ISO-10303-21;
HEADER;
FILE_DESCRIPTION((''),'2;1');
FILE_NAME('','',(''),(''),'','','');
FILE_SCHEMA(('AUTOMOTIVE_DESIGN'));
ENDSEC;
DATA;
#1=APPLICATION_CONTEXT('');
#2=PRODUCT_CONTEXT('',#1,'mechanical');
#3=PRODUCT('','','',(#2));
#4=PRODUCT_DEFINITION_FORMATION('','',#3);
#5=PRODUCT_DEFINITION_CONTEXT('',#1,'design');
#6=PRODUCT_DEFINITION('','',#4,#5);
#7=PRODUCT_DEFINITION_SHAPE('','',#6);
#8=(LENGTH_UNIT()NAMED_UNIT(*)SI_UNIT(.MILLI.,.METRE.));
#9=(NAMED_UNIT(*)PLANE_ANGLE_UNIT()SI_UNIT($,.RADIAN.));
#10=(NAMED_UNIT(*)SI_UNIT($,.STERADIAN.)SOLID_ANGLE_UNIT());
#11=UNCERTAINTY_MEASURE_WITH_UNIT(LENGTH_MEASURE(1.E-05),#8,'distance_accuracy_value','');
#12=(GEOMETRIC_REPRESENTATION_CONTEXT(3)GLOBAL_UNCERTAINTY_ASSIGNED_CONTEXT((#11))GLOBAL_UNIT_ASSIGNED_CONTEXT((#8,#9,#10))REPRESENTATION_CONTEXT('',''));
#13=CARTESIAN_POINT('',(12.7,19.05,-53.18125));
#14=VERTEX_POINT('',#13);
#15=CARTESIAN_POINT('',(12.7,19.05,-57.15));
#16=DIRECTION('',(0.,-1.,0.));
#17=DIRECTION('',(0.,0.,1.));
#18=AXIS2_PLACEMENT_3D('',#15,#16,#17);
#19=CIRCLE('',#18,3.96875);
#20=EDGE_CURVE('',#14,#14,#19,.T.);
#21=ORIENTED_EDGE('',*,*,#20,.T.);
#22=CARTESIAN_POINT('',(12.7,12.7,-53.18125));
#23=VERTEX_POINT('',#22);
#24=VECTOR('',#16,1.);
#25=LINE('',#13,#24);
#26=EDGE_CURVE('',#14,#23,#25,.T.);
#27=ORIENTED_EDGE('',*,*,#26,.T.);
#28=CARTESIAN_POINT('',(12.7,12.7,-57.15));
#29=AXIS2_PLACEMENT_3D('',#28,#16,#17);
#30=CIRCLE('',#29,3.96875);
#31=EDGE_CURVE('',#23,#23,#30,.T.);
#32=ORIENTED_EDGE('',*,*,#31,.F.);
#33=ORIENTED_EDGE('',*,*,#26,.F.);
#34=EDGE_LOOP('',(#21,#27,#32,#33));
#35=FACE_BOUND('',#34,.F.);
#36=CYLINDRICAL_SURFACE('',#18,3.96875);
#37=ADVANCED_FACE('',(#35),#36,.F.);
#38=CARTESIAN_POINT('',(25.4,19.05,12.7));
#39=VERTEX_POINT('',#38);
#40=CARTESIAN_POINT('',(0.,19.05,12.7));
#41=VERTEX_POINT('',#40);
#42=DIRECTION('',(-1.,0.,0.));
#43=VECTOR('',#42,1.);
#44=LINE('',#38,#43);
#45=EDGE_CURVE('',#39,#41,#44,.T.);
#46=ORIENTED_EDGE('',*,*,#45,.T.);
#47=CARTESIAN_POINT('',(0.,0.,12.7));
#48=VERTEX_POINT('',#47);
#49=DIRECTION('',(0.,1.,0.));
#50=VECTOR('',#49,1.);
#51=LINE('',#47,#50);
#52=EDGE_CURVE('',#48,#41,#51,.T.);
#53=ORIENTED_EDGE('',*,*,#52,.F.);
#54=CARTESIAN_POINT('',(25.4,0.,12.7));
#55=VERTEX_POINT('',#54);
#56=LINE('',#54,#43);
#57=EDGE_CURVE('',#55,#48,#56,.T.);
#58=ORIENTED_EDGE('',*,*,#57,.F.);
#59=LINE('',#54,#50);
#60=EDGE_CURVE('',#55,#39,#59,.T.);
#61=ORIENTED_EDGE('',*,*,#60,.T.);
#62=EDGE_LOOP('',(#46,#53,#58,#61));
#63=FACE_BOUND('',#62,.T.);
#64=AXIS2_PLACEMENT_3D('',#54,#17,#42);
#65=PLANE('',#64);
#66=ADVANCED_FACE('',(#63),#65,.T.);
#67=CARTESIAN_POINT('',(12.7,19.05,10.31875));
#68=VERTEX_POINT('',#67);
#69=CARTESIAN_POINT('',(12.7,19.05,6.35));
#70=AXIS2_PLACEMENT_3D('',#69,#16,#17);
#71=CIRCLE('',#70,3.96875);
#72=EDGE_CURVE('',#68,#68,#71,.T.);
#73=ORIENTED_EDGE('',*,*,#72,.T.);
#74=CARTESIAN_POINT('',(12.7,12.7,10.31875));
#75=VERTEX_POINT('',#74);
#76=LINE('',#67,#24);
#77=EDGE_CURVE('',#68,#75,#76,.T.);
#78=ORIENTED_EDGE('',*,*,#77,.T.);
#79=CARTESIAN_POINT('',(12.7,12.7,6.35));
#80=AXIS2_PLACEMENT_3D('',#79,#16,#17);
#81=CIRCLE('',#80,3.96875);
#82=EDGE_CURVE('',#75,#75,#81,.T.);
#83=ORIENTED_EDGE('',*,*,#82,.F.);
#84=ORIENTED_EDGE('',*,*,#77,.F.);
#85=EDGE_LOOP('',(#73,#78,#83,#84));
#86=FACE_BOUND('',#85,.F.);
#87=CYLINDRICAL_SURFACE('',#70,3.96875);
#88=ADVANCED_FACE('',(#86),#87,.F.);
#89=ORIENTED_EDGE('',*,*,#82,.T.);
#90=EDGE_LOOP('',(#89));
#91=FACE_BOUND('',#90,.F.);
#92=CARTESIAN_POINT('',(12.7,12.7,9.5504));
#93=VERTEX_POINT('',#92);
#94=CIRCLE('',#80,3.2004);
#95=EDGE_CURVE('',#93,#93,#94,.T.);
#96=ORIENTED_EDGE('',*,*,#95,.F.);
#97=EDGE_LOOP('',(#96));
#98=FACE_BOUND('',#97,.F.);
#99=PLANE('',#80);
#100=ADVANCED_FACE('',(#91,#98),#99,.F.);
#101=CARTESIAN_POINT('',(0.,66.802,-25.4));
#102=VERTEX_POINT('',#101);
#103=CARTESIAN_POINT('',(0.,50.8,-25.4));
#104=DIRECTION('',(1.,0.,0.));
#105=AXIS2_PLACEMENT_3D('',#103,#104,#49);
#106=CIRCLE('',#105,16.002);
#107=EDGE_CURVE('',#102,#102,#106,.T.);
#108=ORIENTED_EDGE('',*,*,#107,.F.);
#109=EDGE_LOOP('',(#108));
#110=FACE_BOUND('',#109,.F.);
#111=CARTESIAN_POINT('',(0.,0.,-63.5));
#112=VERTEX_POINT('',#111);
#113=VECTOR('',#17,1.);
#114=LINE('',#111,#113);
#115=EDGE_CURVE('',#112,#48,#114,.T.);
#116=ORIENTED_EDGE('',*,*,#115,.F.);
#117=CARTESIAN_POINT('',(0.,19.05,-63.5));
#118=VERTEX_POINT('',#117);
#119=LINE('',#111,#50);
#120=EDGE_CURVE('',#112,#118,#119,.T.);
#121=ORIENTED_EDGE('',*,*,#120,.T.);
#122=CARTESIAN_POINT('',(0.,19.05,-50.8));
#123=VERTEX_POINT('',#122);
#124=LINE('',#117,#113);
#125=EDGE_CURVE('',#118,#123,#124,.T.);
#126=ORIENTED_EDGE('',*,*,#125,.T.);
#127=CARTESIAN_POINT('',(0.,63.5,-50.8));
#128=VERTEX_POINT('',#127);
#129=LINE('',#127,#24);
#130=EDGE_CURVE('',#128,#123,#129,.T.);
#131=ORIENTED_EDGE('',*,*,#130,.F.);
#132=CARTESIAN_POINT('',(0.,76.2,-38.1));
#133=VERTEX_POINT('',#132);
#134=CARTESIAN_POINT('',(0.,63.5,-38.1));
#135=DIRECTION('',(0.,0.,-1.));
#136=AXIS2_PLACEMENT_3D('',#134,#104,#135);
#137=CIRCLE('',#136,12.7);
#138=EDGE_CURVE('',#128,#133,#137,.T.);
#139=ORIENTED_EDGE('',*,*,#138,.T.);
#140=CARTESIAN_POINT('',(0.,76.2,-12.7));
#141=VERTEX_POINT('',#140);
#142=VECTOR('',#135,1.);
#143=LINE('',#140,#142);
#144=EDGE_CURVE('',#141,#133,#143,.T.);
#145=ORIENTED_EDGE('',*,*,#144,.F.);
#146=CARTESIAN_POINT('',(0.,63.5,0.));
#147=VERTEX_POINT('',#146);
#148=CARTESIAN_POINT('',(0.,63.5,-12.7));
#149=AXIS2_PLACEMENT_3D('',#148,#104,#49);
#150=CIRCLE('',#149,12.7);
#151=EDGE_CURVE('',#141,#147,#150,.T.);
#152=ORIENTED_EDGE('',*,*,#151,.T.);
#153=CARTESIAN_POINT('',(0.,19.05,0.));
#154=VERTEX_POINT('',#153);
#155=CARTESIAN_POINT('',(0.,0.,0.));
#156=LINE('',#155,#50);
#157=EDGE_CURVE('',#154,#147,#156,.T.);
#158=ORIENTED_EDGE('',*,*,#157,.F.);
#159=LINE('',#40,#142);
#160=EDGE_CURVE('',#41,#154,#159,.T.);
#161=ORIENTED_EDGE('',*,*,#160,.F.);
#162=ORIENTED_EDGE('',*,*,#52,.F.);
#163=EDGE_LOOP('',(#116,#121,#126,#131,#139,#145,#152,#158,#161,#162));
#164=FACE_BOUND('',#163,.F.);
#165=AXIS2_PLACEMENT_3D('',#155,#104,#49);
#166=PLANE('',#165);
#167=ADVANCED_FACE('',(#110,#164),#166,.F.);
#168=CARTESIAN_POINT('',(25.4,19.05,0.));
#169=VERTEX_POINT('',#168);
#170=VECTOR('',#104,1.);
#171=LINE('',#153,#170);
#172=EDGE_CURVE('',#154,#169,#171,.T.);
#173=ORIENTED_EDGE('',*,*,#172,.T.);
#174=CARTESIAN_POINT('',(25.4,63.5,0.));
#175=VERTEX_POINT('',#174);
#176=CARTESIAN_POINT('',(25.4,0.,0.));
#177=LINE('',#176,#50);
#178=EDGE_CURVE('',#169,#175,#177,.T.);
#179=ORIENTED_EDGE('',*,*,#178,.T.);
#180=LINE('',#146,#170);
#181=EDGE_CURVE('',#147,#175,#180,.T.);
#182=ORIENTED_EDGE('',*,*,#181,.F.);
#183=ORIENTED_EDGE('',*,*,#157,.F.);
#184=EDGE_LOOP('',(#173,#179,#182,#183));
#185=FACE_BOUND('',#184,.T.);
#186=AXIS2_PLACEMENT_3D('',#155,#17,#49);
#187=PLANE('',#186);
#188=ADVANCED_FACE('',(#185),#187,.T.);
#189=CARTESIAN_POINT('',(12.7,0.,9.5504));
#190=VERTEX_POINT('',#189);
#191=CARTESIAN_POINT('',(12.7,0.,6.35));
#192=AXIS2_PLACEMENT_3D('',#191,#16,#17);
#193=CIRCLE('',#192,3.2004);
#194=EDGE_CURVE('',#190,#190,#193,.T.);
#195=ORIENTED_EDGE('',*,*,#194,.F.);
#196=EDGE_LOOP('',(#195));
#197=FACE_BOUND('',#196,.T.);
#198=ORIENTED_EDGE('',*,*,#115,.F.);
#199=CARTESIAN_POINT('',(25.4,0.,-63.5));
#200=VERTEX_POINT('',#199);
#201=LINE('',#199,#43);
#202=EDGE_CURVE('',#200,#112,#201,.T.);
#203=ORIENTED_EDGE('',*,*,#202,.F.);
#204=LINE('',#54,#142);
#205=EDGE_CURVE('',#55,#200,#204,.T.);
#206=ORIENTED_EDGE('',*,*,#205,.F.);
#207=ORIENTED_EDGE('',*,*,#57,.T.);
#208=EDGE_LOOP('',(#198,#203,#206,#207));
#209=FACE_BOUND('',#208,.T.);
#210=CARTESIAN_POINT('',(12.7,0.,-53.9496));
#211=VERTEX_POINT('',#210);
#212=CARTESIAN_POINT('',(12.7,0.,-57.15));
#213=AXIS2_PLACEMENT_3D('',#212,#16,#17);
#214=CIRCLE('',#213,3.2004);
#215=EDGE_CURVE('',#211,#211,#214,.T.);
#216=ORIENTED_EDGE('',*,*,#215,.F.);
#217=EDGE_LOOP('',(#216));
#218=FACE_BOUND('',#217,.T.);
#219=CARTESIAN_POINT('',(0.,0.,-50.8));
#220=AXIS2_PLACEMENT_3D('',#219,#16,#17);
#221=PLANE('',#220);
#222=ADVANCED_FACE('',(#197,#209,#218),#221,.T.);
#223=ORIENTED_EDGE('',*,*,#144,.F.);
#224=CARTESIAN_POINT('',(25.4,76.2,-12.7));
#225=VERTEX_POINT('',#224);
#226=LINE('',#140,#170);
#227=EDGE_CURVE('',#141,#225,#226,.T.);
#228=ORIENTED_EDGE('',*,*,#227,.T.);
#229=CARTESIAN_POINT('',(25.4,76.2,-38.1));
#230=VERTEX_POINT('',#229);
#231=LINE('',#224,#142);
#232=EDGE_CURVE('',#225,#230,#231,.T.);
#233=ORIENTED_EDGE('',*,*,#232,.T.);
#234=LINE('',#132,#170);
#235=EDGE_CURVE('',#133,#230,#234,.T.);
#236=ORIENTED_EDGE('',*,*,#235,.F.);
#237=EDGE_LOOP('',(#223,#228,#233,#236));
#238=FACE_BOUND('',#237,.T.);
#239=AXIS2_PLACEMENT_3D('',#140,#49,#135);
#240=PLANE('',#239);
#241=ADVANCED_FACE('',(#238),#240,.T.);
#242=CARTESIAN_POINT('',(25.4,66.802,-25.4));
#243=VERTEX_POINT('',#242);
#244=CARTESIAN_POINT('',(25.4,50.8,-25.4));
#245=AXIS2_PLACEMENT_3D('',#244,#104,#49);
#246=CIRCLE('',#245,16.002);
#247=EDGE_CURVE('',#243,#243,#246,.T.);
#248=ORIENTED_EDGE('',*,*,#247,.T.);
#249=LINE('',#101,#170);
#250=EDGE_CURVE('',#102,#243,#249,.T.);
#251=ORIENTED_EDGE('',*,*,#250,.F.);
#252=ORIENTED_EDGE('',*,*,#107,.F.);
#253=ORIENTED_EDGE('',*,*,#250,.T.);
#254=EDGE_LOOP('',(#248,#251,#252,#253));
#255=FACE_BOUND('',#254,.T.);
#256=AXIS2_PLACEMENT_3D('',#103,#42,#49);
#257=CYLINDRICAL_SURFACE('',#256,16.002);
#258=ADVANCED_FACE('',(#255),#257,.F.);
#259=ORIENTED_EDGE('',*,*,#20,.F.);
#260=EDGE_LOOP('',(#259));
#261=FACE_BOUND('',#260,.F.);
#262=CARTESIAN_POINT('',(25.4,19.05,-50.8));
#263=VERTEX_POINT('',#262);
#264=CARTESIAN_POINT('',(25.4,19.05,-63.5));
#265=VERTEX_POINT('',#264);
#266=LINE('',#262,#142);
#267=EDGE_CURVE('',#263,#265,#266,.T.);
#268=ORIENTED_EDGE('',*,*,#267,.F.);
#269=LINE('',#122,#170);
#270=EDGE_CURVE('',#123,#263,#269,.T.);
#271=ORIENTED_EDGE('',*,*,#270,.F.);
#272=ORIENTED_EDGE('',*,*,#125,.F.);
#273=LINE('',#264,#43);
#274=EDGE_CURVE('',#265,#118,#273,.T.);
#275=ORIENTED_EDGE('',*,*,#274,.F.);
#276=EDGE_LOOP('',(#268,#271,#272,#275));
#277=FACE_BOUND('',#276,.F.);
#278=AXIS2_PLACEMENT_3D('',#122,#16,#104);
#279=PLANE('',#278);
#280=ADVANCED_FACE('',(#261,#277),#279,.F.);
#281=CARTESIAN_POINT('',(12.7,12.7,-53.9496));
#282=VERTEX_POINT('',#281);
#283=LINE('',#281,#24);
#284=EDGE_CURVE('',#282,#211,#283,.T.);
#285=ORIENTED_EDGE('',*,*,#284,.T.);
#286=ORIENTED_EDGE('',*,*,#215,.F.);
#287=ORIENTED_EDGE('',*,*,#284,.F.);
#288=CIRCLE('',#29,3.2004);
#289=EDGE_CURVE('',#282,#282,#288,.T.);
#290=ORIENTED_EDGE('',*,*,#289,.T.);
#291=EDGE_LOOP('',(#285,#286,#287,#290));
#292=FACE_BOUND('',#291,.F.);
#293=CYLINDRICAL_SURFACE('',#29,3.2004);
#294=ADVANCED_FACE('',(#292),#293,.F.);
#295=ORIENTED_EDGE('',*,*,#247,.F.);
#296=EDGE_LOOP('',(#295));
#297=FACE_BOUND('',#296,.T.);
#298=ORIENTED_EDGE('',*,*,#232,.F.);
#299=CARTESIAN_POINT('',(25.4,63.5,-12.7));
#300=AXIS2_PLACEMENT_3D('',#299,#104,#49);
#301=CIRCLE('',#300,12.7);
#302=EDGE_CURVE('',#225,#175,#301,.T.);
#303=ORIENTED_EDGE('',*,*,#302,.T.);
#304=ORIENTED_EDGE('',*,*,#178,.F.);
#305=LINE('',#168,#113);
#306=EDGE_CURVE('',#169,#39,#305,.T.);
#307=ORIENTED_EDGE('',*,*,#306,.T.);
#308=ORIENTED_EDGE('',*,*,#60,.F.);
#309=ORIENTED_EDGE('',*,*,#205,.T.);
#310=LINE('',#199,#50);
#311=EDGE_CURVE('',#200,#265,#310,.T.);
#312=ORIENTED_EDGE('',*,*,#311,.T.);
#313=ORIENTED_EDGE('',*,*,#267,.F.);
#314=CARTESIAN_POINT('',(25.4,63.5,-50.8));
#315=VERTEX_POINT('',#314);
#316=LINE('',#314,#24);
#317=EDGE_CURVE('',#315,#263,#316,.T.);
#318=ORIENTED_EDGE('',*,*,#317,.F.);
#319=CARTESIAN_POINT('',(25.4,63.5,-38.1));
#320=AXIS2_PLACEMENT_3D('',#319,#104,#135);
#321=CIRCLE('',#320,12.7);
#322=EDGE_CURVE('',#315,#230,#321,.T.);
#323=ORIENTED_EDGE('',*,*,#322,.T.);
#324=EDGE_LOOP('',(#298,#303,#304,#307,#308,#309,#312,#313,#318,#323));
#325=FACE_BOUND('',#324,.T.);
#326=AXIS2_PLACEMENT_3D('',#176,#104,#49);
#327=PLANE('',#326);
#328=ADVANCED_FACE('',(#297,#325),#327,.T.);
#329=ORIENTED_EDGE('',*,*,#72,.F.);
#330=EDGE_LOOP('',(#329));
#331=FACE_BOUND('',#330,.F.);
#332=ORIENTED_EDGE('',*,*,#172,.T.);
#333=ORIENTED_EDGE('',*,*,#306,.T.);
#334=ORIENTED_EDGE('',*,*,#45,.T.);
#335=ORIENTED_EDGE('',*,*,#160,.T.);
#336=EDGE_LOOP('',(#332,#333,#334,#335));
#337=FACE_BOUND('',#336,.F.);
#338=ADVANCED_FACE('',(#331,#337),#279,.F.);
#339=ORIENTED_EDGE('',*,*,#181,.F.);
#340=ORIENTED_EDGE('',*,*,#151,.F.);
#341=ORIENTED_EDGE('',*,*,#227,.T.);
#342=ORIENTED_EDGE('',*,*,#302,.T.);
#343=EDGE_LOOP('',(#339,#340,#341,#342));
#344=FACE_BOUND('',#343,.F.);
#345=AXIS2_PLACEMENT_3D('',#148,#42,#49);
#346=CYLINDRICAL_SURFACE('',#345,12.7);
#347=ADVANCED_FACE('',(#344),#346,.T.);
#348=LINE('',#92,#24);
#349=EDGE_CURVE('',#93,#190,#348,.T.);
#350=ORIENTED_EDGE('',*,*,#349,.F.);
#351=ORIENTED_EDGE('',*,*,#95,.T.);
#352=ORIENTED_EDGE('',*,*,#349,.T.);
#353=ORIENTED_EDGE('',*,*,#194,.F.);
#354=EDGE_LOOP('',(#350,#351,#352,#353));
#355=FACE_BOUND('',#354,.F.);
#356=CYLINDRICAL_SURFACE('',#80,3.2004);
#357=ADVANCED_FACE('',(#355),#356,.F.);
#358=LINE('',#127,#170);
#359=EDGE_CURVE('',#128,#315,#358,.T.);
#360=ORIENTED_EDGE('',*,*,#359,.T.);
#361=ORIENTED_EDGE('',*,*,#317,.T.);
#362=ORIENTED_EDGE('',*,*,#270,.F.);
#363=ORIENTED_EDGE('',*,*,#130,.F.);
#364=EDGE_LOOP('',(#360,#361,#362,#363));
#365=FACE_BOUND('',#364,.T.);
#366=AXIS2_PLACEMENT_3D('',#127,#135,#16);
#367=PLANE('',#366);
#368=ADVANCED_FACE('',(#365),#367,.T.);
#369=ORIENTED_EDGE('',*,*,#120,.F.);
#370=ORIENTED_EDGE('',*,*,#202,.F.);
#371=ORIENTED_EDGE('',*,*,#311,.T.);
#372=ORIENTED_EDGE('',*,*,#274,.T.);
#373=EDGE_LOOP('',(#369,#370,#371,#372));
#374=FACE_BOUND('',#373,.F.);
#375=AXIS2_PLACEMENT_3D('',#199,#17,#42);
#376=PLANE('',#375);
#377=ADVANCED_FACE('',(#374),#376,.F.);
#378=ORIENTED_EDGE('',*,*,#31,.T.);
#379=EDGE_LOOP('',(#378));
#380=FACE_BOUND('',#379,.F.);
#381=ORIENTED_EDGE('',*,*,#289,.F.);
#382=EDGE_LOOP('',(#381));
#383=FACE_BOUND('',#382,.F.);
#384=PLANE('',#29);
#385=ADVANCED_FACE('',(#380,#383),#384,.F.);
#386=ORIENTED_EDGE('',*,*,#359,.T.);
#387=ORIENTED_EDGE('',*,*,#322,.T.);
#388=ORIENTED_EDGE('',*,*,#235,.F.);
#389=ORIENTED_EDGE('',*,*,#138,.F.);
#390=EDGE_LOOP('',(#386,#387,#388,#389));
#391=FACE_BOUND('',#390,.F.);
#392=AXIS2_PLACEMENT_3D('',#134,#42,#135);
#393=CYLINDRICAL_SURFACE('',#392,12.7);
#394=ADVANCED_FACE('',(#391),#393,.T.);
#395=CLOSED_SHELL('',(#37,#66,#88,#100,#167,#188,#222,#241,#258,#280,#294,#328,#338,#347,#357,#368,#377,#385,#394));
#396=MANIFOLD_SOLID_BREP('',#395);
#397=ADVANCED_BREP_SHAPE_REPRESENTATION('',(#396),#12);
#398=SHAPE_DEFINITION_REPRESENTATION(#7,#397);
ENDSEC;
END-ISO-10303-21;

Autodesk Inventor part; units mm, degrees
ref_plane "YZ Plane" through (0, 0, 0) normal (1, 0, 0) x (0, 1, 0)
ref_plane "XZ Plane" through (0, 0, 0) normal (0, 1, 0) x (-1, 0, 0)
ref_plane "XY Plane" through (0, 0, 0) normal (0, 0, 1) x (1, 0, 0)
sketch "Sketch1" plane through (0, 0, 0) normal (1, 0, 0) x (0, 1, 0)
  line L0 (0, 0) -> (63.5, 0)
  line L1 (76.2, -12.7) -> (76.2, -38.1)
  line L2 (63.5, -50.8) -> (0, -50.8)
  line L3 (0, -50.8) -> (0, 0)
  circle A0 centre (50.8, -25.4) radius 16.002
  arc A1 (76.2, -12.7) -> (63.5, 0) centre (63.5, -12.7) ccw
  arc A2 (63.5, -50.8) -> (76.2, -38.1) centre (63.5, -38.1) ccw
  point P0 (76.2, -50.8)
  point P1 (76.2, 0)
  dimension "d1" = 76.2
  dimension "d2" = 50.8
  dimension "d6" = 32.004
  dimension "d7" = 12.7
extrude "Extrusion1" add sketch "Sketch1" along normal blind 25.4
ref_plane "Work Plane1" through (0, 0, -50.8) normal (0, -1, 0) x (1, 0, 0)
sketch "Sketch2" plane through (0, 0, -50.8) normal (0, -1, 0) x (1, 0, 0)
  line L0 (0, 50.8) -> (25.4, 50.8)
  line L1 (25.4, 50.8) -> (25.4, 63.5)
  line L2 (25.4, 63.5) -> (0, 63.5)
  line L3 (0, 63.5) -> (0, 50.8)
  line L4 (0, 50.8) -> (0, 0) projected
  line L5 (0, 0) -> (25.4, 0)
  line L6 (25.4, 0) -> (25.4, -12.7)
  line L7 (25.4, -12.7) -> (0, -12.7)
  line L8 (0, -12.7) -> (0, 0)
  circle A0 centre (12.7, 57.15) radius 3.9687
  circle A1 centre (12.7, -6.35) radius 3.9688
  dimension "d11" = 25.4
  dimension "d12" = 25.4
  dimension "d13" = 12.7
  dimension "d14" = 12.7
  dimension "d15" = 7.9375
  dimension "d16" = 7.9375
extrude "Extrusion2" add sketch "Sketch2" against normal blind 19.05 contours L3 L2 L1 L0 | L5 L6 L7 L8 | A0 | A1
sketch "Sketch3" plane through (0, 19.05, -50.8) normal (0, 1, 0) x (1, 0, 0)
  line L0 (0, -63.5) -> (25.4, -63.5) projected
  circle A0 centre (12.7, -57.15) radius 3.9688
  line L1 (25.4, 12.7) -> (0, 12.7) projected
  circle A1 centre (12.7, 6.35) radius 3.9688
  point P0 (0, -50.8)
  dimension "d20" = 7.9375
hole "Hole1" at (12.7, 19.05, -57.15) direction (0, -1, 0) diameter 6.4008 end through all counterbore diameter 7.9375 counterbore depth 6.35 thread size "5/16-18 UNC" class "2B" standard "ANSI Unified Screw Threads"
hole "Hole2" at (12.7, 19.05, 6.35) direction (0, -1, 0) diameter 6.4008 end through all counterbore diameter 7.9375 counterbore depth 6.35 thread size "5/16-18 UNC" class "2B" standard "ANSI Unified Screw Threads"
equation "\"d23\" = d12"
equation "\"d30\" = d12"
properties part number "motor_mount_wrist"
